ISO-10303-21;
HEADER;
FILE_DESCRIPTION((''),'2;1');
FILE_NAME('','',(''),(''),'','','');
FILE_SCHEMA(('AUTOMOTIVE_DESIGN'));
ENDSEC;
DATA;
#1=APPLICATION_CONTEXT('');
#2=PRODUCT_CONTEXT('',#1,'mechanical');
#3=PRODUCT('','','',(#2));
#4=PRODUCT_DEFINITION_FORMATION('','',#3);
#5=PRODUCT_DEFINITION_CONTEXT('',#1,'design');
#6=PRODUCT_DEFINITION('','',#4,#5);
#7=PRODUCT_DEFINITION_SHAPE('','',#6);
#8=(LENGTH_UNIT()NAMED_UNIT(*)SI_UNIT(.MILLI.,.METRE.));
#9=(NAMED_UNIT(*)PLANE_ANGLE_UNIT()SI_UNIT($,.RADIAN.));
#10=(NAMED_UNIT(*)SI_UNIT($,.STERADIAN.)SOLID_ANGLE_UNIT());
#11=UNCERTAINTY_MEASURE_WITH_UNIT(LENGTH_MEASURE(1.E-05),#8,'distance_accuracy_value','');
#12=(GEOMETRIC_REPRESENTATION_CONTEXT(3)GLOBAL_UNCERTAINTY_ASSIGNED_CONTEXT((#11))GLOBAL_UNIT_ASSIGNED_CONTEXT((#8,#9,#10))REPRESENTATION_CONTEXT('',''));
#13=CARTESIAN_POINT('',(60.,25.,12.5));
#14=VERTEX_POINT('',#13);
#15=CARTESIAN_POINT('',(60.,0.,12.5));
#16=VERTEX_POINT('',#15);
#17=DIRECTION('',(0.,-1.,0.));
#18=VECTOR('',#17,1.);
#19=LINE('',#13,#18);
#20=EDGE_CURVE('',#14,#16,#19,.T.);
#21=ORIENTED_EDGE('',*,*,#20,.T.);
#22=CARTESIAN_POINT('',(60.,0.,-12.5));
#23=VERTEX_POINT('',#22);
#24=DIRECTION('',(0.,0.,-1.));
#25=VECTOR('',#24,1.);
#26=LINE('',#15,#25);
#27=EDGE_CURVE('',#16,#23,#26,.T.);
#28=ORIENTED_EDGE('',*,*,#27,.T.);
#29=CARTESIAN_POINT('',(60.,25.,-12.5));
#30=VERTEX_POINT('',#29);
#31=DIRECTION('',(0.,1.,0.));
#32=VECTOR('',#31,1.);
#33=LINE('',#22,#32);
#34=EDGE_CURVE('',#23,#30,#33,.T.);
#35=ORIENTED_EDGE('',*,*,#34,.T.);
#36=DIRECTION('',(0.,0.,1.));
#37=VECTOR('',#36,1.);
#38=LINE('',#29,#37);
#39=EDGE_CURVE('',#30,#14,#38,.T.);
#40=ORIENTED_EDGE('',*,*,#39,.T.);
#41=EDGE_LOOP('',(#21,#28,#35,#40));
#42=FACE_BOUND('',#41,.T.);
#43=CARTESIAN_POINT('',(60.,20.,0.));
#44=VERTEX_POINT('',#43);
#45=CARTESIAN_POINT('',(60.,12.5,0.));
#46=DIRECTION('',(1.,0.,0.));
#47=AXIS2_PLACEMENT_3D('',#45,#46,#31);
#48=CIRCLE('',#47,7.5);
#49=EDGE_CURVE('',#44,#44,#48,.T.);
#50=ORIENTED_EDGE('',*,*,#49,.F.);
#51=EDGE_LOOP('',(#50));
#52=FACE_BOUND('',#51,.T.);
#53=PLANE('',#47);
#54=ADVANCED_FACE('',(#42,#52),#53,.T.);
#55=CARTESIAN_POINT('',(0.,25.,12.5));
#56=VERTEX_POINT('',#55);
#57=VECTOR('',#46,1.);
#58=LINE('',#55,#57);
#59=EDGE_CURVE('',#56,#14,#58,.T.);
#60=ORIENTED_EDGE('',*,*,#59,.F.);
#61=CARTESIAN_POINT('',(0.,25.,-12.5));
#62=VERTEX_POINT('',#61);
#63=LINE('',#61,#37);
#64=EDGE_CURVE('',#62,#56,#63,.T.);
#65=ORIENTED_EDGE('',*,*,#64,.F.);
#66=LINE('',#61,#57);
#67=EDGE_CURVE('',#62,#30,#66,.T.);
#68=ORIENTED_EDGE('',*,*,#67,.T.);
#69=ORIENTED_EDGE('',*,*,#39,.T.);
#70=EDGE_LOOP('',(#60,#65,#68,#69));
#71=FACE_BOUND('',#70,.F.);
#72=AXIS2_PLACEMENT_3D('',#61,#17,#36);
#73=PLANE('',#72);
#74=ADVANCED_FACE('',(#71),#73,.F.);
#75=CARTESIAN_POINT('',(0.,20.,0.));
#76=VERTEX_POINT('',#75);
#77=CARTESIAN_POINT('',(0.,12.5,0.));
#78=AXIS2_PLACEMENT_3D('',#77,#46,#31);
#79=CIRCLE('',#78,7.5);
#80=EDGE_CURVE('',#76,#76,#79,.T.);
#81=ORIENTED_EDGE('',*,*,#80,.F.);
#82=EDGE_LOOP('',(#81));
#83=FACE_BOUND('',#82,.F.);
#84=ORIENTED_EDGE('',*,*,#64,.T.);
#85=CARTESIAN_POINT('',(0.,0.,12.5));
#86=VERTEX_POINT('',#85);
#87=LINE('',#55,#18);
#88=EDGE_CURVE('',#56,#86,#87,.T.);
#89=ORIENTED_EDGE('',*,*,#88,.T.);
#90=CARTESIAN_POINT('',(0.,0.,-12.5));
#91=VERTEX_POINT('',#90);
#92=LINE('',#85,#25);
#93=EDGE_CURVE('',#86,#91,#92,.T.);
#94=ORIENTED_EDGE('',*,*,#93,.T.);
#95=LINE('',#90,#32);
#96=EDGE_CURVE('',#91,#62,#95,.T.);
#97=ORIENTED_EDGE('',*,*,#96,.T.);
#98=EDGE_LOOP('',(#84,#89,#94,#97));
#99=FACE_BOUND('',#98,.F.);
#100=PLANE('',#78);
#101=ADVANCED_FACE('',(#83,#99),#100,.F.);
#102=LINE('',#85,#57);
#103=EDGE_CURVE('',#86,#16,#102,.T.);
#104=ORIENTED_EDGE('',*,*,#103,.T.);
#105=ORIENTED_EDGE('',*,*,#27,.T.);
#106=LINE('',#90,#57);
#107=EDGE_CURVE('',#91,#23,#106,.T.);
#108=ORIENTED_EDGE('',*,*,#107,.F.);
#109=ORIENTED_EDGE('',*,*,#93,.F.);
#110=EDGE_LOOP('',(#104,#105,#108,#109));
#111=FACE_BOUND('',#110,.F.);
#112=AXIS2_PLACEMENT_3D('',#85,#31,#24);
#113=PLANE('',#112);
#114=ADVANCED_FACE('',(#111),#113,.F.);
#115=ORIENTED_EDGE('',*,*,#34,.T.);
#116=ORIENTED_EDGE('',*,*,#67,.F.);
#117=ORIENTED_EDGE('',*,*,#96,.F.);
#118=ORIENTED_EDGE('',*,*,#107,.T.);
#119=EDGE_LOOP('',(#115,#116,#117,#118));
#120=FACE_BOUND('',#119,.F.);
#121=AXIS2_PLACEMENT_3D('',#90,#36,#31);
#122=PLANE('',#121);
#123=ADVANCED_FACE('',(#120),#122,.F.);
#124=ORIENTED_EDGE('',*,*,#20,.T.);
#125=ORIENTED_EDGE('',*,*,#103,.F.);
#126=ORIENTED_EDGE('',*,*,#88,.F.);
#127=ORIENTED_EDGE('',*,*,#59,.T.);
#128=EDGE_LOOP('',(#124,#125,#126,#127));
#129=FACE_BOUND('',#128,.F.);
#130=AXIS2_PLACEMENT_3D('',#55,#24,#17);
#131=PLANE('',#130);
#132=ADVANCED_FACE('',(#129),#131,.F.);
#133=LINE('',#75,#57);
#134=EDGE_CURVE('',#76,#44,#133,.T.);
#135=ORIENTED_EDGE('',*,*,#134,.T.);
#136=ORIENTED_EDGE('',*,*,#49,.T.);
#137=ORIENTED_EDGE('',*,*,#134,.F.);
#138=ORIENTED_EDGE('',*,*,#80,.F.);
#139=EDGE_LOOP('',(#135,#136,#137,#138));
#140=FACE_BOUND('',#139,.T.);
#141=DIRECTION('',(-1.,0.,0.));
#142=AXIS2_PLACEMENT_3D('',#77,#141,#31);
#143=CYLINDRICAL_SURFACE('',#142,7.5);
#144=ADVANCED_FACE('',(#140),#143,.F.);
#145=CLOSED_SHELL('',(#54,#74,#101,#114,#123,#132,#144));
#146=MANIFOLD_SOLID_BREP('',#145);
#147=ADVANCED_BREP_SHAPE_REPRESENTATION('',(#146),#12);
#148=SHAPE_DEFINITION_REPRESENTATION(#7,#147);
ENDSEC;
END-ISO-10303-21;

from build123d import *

# Parameters (mm, degrees)
F0_R     = 7.5
F1_DEPTH = 60


with BuildPart() as f1:
    # F0 (on Right) → F1 (new body)
    with BuildSketch(Plane.YZ):
        Polygon((0, 12.5), (0, 0), (0, -12.5), (25, -12.5), (25, 12.5), align=None)
        with Locations((12.5, 0)):
            Circle(F0_R, mode=Mode.SUBTRACT)
    extrude(amount=F1_DEPTH)


solid = f1.part
